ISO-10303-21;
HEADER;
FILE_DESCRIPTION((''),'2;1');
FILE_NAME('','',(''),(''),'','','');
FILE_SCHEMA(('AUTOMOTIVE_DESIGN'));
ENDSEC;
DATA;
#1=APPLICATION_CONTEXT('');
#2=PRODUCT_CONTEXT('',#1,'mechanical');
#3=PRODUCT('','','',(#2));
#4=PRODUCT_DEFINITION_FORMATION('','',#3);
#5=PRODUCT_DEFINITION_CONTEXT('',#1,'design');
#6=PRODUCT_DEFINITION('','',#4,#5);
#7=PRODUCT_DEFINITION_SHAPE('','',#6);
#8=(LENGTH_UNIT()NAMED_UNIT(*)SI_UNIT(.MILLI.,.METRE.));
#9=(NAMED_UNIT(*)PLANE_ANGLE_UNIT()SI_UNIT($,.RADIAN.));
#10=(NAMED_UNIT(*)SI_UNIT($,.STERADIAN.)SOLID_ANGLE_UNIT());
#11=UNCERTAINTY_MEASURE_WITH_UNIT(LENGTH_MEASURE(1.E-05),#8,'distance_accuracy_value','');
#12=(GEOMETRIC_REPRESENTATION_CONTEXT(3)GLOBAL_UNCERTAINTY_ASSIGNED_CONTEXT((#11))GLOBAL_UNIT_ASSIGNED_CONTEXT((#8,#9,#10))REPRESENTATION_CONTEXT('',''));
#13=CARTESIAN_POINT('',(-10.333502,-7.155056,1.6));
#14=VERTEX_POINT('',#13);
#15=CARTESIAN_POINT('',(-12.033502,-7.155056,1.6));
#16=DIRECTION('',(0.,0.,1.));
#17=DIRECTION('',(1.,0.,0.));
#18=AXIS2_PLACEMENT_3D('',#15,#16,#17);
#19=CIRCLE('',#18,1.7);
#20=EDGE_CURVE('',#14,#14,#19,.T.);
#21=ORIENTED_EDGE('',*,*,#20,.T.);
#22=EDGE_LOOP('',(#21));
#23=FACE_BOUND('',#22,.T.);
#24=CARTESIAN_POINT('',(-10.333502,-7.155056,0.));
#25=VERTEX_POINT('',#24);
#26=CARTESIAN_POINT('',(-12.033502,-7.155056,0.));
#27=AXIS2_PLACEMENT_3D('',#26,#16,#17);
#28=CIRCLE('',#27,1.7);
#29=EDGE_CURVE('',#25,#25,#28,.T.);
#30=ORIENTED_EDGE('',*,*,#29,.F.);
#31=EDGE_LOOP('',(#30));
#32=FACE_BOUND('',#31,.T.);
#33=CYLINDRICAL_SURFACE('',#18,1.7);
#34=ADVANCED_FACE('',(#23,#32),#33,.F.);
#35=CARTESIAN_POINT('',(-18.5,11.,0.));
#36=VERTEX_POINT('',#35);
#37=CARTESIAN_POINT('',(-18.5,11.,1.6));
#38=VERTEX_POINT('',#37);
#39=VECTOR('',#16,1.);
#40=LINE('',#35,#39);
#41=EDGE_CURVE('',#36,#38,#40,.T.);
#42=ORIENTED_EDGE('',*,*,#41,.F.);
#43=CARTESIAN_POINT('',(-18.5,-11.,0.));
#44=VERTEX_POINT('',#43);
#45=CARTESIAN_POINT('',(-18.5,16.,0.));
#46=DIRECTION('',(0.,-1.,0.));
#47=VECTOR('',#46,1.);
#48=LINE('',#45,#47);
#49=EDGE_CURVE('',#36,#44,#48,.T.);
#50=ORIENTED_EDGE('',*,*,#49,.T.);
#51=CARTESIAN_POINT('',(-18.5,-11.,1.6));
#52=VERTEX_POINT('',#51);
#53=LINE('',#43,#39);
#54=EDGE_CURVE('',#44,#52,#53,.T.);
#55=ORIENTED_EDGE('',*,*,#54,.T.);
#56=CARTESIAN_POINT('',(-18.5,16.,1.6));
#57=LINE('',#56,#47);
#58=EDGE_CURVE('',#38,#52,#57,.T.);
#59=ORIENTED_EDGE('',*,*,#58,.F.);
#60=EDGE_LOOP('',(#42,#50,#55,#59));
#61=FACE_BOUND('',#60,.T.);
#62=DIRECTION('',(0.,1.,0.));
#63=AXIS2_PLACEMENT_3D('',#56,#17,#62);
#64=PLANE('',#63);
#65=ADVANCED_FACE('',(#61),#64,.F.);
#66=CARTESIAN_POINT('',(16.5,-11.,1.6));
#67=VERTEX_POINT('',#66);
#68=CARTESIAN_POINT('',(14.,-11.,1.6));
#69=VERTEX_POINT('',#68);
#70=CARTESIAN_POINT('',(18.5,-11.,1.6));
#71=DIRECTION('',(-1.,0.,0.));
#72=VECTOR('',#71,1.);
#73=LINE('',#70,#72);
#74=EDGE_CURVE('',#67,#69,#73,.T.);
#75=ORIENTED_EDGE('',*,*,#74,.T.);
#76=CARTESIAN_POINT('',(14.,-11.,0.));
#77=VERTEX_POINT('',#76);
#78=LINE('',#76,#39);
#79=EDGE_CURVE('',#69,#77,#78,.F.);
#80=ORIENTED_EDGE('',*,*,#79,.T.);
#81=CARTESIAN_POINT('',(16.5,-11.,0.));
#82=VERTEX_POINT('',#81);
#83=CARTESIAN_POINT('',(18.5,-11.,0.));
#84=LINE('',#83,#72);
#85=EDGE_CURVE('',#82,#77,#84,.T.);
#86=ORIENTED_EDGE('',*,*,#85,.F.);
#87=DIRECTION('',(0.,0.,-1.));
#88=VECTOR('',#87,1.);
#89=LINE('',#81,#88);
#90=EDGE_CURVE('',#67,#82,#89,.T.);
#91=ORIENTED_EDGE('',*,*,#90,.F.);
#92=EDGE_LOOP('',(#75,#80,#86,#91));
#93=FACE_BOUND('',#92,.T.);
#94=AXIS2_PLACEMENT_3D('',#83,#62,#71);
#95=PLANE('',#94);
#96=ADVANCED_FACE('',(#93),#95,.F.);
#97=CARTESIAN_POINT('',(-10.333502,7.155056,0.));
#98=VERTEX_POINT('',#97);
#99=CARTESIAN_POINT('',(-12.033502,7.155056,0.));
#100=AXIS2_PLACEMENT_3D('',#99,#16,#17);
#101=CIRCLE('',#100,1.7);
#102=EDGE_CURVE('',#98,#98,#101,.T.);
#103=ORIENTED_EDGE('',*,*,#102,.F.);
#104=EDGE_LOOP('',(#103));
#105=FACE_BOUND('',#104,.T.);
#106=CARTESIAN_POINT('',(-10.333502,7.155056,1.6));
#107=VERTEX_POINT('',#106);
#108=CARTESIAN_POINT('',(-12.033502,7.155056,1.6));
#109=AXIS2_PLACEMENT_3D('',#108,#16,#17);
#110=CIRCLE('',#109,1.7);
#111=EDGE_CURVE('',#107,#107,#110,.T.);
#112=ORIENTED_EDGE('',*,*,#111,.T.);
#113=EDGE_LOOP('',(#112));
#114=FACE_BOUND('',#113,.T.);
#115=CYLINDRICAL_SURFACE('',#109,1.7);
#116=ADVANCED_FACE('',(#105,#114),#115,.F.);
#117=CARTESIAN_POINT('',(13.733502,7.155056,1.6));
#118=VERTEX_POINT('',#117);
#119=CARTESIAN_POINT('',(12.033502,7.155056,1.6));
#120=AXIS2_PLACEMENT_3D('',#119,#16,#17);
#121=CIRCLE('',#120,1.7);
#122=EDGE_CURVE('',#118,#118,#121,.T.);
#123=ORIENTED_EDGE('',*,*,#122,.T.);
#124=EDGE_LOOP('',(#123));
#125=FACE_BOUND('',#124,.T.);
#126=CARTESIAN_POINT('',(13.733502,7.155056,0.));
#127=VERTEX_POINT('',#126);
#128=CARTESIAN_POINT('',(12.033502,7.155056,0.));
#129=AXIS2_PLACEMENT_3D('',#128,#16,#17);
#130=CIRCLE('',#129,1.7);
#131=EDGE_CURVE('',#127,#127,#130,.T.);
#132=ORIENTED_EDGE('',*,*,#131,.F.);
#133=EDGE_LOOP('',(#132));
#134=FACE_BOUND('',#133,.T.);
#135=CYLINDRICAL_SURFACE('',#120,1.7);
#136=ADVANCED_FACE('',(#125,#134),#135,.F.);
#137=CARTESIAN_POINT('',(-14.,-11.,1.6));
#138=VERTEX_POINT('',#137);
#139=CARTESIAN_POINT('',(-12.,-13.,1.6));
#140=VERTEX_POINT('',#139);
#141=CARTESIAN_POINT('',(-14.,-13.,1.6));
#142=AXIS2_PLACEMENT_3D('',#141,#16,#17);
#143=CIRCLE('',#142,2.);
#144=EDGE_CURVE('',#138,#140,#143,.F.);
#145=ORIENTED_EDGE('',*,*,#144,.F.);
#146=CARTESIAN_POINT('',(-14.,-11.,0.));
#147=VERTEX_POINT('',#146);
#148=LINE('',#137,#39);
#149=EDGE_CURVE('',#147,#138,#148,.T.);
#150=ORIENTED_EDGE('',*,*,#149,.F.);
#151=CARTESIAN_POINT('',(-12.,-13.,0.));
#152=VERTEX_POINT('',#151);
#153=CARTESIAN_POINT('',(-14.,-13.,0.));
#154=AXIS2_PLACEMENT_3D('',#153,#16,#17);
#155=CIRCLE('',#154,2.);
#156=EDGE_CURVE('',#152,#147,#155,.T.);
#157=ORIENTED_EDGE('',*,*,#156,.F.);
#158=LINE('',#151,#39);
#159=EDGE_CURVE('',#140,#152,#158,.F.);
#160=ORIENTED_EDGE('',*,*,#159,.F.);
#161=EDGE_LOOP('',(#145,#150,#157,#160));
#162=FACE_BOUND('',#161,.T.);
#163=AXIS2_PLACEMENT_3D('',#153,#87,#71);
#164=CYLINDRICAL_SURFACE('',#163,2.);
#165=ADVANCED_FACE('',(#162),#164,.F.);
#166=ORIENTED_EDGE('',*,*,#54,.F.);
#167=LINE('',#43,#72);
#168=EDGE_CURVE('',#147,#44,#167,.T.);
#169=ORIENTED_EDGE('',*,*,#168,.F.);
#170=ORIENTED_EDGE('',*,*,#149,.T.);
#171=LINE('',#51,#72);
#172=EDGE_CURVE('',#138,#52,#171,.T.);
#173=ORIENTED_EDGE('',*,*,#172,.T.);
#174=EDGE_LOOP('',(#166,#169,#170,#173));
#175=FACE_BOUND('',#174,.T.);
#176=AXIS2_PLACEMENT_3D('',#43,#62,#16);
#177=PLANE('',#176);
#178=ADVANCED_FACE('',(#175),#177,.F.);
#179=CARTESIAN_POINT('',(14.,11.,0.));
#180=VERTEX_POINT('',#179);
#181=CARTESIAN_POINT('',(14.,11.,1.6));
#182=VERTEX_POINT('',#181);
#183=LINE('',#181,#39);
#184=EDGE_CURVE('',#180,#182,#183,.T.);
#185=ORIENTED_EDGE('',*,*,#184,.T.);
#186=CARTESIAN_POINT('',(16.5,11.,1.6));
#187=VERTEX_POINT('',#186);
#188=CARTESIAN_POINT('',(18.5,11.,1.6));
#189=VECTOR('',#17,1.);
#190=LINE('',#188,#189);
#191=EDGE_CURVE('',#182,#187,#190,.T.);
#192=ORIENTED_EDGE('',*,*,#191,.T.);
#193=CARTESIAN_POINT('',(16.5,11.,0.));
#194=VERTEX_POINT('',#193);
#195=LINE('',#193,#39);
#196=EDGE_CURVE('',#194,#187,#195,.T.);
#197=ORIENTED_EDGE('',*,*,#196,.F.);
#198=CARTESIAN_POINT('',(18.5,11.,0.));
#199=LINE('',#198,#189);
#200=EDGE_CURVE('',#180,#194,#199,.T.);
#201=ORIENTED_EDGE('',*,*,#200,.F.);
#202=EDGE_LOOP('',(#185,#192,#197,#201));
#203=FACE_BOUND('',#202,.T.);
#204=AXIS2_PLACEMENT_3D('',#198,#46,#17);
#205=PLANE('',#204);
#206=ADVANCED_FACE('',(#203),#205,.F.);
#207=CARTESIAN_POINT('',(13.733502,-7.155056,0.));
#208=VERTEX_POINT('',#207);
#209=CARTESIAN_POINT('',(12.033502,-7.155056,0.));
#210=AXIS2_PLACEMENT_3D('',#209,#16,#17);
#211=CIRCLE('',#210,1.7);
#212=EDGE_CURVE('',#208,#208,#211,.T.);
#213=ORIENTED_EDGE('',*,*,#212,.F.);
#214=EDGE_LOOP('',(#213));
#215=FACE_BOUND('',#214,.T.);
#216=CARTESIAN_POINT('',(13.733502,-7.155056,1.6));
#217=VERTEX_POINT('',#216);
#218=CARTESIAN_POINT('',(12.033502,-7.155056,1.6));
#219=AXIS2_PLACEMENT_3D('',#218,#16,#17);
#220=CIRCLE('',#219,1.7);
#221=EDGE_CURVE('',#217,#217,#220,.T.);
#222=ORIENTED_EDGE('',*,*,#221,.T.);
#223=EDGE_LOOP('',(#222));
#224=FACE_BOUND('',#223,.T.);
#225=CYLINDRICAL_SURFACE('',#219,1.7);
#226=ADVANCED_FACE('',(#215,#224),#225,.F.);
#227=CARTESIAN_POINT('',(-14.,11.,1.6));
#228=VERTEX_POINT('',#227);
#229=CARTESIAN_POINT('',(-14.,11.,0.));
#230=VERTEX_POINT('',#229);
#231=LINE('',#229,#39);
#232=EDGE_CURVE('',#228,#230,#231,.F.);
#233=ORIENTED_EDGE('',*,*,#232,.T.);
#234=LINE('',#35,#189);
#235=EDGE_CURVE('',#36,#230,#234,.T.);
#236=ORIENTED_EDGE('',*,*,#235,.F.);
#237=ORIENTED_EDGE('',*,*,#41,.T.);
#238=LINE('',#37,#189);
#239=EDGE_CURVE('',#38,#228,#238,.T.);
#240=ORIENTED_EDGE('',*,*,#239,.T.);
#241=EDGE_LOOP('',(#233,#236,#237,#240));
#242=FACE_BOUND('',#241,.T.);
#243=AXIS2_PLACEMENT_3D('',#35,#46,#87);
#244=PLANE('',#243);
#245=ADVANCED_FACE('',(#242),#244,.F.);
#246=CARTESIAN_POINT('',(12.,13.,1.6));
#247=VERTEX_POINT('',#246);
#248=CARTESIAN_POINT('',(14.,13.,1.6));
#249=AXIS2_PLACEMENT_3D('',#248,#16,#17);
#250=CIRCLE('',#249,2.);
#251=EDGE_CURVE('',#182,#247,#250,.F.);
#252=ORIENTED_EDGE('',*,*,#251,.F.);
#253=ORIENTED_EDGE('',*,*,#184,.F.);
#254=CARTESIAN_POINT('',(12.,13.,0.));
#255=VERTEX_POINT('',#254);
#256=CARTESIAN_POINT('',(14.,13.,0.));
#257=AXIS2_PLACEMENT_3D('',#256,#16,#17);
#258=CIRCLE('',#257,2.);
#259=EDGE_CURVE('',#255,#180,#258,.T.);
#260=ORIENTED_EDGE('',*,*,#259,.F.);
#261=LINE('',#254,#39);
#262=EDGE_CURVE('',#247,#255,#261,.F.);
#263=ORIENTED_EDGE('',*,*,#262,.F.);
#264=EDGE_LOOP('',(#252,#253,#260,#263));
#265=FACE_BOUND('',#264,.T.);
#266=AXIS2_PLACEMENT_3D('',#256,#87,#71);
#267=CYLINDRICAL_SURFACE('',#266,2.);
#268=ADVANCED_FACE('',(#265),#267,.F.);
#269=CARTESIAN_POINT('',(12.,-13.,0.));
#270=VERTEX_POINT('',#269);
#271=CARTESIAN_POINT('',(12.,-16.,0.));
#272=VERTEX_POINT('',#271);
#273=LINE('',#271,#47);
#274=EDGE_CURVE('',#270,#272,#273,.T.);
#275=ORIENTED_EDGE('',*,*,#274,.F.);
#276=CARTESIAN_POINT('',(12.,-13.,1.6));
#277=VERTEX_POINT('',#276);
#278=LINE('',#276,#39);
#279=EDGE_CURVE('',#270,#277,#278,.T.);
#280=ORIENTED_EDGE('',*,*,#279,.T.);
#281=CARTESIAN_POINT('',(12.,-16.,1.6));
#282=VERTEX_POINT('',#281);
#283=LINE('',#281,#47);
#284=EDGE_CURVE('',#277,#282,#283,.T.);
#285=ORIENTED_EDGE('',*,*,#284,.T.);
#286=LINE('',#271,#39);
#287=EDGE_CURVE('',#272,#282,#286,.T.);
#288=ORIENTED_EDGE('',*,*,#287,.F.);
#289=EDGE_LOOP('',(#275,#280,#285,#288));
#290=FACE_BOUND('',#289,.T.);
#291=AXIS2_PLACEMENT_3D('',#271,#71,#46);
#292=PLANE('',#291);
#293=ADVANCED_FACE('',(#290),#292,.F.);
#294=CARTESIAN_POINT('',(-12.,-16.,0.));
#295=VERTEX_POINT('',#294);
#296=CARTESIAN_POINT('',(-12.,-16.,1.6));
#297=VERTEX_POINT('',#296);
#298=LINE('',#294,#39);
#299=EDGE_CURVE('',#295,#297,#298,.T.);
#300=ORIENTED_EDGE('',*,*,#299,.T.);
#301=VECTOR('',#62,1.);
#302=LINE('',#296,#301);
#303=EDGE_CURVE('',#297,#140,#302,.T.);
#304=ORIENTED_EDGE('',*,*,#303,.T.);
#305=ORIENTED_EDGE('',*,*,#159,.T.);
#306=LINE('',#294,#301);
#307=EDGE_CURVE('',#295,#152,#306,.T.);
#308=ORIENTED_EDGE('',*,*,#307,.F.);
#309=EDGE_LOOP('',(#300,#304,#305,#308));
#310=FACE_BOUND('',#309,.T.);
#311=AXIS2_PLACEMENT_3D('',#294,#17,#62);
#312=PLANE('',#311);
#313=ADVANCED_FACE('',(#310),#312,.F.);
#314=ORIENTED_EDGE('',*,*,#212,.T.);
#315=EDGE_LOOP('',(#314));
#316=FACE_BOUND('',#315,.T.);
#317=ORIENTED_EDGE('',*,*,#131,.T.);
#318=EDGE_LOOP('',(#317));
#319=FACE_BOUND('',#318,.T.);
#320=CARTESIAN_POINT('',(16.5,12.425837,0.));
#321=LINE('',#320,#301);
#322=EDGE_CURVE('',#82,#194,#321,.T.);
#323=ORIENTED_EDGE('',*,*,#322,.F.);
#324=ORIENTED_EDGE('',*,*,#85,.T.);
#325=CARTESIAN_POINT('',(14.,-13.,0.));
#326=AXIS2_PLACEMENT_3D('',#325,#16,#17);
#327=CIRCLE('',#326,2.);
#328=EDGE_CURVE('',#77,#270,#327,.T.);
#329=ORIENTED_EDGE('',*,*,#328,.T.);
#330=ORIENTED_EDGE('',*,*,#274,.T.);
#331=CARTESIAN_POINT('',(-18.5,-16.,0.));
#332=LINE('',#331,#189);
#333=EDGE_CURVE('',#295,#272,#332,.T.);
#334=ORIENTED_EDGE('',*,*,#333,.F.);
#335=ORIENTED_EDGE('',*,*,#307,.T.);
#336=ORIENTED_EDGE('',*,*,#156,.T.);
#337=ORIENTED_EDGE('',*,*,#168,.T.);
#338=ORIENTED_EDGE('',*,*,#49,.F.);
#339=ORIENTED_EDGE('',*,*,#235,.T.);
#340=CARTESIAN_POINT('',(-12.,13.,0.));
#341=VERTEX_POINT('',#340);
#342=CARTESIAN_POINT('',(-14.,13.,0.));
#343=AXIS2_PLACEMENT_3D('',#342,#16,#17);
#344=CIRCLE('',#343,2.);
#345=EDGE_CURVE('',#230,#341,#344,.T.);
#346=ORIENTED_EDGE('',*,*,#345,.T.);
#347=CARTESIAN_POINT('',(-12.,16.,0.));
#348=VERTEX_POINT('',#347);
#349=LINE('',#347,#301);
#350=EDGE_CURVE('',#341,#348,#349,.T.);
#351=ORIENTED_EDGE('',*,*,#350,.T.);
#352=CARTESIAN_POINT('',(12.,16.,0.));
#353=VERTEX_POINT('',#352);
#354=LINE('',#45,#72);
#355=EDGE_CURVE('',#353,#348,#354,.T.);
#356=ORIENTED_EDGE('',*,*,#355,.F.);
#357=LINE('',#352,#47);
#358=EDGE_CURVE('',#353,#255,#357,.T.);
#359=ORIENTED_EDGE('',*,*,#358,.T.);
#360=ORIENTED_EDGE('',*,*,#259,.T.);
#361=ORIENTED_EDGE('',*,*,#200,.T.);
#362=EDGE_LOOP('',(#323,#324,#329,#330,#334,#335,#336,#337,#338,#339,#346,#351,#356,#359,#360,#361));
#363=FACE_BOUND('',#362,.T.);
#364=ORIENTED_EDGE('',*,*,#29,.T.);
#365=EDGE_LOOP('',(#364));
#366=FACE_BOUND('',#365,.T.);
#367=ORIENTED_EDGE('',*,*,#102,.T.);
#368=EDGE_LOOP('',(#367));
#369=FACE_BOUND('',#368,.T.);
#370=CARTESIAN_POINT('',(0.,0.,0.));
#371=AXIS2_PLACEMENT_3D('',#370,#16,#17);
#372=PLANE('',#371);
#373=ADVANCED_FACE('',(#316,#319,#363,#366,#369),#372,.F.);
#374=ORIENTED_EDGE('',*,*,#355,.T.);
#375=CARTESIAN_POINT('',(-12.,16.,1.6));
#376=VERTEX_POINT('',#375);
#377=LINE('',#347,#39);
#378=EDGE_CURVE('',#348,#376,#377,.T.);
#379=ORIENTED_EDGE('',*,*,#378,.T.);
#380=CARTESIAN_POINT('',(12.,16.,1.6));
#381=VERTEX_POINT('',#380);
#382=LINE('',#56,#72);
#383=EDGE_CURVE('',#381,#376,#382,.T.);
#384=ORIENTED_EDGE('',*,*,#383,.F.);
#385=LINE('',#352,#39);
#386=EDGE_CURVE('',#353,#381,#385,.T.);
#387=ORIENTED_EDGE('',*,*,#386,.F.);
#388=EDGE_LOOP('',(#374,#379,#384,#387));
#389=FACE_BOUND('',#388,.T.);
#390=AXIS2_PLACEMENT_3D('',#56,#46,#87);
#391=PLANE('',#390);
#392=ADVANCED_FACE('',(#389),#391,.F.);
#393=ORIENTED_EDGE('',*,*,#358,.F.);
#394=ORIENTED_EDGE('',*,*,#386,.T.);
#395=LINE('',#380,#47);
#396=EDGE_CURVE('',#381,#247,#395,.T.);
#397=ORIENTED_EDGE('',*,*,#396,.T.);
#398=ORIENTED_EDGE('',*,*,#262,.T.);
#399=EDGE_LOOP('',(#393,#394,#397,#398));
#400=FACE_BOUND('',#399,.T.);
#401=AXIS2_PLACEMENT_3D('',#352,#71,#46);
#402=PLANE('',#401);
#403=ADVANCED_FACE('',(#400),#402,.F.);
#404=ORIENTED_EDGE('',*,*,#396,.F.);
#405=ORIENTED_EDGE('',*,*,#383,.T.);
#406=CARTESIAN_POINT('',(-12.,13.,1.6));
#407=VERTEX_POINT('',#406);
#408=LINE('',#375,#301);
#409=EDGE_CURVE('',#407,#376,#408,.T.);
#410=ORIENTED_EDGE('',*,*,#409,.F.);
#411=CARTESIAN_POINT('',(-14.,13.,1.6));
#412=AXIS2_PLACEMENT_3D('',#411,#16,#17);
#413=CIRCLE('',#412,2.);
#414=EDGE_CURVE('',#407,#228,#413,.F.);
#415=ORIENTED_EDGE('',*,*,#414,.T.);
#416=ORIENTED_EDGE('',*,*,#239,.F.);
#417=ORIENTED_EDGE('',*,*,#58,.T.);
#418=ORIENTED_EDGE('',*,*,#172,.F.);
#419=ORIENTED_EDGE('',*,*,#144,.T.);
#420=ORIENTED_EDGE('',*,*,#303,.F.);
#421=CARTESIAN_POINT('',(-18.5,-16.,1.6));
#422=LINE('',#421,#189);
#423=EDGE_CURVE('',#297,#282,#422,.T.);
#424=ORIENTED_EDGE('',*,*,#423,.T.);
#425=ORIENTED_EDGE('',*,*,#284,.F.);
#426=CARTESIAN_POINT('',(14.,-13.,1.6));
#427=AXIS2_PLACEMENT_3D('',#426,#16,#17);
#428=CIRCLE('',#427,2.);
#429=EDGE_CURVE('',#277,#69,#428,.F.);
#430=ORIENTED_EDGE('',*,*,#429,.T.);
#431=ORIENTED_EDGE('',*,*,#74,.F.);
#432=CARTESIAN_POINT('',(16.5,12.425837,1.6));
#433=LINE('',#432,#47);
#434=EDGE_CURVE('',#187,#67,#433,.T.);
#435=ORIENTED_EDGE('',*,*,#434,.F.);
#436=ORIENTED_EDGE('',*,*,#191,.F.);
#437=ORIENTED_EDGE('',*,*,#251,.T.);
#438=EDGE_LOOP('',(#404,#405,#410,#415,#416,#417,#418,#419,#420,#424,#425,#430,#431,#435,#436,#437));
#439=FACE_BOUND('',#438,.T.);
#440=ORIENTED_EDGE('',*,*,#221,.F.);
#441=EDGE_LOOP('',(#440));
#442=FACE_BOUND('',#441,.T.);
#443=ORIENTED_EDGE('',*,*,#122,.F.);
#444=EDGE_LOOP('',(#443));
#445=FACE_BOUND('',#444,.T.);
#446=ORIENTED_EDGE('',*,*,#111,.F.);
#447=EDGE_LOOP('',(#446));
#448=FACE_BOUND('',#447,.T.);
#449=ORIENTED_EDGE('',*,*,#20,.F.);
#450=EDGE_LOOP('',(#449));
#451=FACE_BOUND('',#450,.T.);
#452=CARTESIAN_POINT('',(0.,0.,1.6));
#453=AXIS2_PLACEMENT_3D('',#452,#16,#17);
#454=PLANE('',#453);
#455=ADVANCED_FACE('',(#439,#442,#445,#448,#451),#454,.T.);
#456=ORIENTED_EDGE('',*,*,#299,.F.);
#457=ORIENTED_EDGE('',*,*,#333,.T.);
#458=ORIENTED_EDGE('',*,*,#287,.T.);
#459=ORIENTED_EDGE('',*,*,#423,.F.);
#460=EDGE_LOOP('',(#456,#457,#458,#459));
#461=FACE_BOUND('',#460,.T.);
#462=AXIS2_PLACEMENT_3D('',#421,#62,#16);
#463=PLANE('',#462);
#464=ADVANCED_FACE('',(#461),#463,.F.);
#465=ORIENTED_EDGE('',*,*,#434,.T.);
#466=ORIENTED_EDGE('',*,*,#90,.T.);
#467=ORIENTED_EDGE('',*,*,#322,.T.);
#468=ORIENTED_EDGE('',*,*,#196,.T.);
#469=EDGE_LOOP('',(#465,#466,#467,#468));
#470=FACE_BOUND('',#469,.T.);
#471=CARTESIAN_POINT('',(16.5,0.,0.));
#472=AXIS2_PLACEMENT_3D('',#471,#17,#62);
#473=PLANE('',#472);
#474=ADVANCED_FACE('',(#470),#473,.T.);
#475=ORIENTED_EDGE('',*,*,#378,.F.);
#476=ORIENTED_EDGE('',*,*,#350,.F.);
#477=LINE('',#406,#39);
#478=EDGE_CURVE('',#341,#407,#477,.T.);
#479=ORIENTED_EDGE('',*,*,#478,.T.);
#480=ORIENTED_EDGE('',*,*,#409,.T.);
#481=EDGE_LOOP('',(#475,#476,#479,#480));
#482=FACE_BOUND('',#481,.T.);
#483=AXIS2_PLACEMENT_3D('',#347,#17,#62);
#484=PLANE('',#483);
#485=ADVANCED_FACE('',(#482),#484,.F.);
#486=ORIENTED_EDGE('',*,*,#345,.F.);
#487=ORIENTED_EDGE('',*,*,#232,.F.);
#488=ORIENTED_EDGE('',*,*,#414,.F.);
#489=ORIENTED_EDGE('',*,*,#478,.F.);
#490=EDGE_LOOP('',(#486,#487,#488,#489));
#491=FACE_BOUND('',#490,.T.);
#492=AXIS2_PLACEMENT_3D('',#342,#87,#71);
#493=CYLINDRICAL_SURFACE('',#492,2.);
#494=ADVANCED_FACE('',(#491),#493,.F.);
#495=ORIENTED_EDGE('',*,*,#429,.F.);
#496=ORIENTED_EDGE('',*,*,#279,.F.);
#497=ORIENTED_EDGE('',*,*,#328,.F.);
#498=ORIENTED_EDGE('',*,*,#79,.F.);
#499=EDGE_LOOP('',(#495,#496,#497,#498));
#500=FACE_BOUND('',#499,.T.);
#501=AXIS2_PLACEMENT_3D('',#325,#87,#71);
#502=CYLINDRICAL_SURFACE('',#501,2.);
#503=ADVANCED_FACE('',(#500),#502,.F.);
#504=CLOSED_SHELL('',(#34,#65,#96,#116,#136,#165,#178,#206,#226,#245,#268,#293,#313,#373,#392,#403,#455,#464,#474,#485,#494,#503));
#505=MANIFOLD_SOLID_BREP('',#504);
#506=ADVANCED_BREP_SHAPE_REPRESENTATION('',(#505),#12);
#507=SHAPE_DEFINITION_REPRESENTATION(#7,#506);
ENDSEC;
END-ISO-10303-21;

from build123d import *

# Parameters (mm, degrees)
SKETCH_1_W            = 37
SKETCH_1_H            = 32
EXTRUDE_1_DEPTH       = 1.6
SKETCH_2_W            = 6.5
SKETCH_2_H            = 5
CUT_EXTRUDE_1_DEPTH   = 25.511425907
FILLET_1_R            = 2
HOLE_WIZARD_M31_D     = 3.4
HOLE_WIZARD_M31_DEPTH = 18
HOLE_WIZARD_M31_TIP   = 1.021463052
SKETCH_7_W            = 1.6
SKETCH_7_H            = 24.851674328
CUT_EXTRUDE_2_DEPTH   = 2


with BuildPart() as part:
    # Эскиз1 → Бобышка-Вытянуть1 (new body)
    with BuildSketch(Plane.XY):
        Rectangle(SKETCH_1_W, SKETCH_1_H)
    extrude(amount=EXTRUDE_1_DEPTH)

    # Эскиз2 → Вырез-Вытянуть1 (cut, through all)
    with BuildSketch(Plane.XY.offset(1.6)):
        with Locations((-15.25, 13.5)):
            Rectangle(SKETCH_2_W, SKETCH_2_H)
        with Locations((15.25, 13.5)):
            Rectangle(SKETCH_2_W, SKETCH_2_H)
        with Locations((15.25, -13.5)):
            Rectangle(SKETCH_2_W, SKETCH_2_H)
        with Locations((-15.25, -13.5)):
            Rectangle(SKETCH_2_W, SKETCH_2_H)
    extrude(amount=-CUT_EXTRUDE_1_DEPTH, mode=Mode.SUBTRACT)

    # Скругление1
    fillet_1_edges = [part.edges().sort_by_distance(p)[0] for p in [
        (-12, 11, 0.8),
        (12, 11, 0.8),
        (12, -11, 0.8),
        (-12, -11, 0.8),
    ]]
    fillet(fillet_1_edges, radius=FILLET_1_R)

    # Отверстие с зазором M31
    with Locations(Plane.XY.offset(1.6)):
        with Locations((-12.033502432, 7.1550555), (12.033502432, 7.1550555), (12.033502432, -7.1550555), (-12.033502432, -7.1550555)):
            Hole(HOLE_WIZARD_M31_D / 2, depth=HOLE_WIZARD_M31_DEPTH)
            with Locations((0, 0, -(HOLE_WIZARD_M31_DEPTH + HOLE_WIZARD_M31_TIP / 2))):  # 118° drill point
                Cone(0, HOLE_WIZARD_M31_D / 2, HOLE_WIZARD_M31_TIP, mode=Mode.SUBTRACT)

    # Эскиз7 → Вырез-Вытянуть2 (cut)
    with BuildSketch(Plane(origin=(18.5, 0, 0), x_dir=(0, 0, -1), z_dir=(1, 0, 0))):
        with Locations((-0.8, 0)):
            Rectangle(SKETCH_7_W, SKETCH_7_H)
    extrude(amount=-CUT_EXTRUDE_2_DEPTH, mode=Mode.SUBTRACT)


solid = part.part
